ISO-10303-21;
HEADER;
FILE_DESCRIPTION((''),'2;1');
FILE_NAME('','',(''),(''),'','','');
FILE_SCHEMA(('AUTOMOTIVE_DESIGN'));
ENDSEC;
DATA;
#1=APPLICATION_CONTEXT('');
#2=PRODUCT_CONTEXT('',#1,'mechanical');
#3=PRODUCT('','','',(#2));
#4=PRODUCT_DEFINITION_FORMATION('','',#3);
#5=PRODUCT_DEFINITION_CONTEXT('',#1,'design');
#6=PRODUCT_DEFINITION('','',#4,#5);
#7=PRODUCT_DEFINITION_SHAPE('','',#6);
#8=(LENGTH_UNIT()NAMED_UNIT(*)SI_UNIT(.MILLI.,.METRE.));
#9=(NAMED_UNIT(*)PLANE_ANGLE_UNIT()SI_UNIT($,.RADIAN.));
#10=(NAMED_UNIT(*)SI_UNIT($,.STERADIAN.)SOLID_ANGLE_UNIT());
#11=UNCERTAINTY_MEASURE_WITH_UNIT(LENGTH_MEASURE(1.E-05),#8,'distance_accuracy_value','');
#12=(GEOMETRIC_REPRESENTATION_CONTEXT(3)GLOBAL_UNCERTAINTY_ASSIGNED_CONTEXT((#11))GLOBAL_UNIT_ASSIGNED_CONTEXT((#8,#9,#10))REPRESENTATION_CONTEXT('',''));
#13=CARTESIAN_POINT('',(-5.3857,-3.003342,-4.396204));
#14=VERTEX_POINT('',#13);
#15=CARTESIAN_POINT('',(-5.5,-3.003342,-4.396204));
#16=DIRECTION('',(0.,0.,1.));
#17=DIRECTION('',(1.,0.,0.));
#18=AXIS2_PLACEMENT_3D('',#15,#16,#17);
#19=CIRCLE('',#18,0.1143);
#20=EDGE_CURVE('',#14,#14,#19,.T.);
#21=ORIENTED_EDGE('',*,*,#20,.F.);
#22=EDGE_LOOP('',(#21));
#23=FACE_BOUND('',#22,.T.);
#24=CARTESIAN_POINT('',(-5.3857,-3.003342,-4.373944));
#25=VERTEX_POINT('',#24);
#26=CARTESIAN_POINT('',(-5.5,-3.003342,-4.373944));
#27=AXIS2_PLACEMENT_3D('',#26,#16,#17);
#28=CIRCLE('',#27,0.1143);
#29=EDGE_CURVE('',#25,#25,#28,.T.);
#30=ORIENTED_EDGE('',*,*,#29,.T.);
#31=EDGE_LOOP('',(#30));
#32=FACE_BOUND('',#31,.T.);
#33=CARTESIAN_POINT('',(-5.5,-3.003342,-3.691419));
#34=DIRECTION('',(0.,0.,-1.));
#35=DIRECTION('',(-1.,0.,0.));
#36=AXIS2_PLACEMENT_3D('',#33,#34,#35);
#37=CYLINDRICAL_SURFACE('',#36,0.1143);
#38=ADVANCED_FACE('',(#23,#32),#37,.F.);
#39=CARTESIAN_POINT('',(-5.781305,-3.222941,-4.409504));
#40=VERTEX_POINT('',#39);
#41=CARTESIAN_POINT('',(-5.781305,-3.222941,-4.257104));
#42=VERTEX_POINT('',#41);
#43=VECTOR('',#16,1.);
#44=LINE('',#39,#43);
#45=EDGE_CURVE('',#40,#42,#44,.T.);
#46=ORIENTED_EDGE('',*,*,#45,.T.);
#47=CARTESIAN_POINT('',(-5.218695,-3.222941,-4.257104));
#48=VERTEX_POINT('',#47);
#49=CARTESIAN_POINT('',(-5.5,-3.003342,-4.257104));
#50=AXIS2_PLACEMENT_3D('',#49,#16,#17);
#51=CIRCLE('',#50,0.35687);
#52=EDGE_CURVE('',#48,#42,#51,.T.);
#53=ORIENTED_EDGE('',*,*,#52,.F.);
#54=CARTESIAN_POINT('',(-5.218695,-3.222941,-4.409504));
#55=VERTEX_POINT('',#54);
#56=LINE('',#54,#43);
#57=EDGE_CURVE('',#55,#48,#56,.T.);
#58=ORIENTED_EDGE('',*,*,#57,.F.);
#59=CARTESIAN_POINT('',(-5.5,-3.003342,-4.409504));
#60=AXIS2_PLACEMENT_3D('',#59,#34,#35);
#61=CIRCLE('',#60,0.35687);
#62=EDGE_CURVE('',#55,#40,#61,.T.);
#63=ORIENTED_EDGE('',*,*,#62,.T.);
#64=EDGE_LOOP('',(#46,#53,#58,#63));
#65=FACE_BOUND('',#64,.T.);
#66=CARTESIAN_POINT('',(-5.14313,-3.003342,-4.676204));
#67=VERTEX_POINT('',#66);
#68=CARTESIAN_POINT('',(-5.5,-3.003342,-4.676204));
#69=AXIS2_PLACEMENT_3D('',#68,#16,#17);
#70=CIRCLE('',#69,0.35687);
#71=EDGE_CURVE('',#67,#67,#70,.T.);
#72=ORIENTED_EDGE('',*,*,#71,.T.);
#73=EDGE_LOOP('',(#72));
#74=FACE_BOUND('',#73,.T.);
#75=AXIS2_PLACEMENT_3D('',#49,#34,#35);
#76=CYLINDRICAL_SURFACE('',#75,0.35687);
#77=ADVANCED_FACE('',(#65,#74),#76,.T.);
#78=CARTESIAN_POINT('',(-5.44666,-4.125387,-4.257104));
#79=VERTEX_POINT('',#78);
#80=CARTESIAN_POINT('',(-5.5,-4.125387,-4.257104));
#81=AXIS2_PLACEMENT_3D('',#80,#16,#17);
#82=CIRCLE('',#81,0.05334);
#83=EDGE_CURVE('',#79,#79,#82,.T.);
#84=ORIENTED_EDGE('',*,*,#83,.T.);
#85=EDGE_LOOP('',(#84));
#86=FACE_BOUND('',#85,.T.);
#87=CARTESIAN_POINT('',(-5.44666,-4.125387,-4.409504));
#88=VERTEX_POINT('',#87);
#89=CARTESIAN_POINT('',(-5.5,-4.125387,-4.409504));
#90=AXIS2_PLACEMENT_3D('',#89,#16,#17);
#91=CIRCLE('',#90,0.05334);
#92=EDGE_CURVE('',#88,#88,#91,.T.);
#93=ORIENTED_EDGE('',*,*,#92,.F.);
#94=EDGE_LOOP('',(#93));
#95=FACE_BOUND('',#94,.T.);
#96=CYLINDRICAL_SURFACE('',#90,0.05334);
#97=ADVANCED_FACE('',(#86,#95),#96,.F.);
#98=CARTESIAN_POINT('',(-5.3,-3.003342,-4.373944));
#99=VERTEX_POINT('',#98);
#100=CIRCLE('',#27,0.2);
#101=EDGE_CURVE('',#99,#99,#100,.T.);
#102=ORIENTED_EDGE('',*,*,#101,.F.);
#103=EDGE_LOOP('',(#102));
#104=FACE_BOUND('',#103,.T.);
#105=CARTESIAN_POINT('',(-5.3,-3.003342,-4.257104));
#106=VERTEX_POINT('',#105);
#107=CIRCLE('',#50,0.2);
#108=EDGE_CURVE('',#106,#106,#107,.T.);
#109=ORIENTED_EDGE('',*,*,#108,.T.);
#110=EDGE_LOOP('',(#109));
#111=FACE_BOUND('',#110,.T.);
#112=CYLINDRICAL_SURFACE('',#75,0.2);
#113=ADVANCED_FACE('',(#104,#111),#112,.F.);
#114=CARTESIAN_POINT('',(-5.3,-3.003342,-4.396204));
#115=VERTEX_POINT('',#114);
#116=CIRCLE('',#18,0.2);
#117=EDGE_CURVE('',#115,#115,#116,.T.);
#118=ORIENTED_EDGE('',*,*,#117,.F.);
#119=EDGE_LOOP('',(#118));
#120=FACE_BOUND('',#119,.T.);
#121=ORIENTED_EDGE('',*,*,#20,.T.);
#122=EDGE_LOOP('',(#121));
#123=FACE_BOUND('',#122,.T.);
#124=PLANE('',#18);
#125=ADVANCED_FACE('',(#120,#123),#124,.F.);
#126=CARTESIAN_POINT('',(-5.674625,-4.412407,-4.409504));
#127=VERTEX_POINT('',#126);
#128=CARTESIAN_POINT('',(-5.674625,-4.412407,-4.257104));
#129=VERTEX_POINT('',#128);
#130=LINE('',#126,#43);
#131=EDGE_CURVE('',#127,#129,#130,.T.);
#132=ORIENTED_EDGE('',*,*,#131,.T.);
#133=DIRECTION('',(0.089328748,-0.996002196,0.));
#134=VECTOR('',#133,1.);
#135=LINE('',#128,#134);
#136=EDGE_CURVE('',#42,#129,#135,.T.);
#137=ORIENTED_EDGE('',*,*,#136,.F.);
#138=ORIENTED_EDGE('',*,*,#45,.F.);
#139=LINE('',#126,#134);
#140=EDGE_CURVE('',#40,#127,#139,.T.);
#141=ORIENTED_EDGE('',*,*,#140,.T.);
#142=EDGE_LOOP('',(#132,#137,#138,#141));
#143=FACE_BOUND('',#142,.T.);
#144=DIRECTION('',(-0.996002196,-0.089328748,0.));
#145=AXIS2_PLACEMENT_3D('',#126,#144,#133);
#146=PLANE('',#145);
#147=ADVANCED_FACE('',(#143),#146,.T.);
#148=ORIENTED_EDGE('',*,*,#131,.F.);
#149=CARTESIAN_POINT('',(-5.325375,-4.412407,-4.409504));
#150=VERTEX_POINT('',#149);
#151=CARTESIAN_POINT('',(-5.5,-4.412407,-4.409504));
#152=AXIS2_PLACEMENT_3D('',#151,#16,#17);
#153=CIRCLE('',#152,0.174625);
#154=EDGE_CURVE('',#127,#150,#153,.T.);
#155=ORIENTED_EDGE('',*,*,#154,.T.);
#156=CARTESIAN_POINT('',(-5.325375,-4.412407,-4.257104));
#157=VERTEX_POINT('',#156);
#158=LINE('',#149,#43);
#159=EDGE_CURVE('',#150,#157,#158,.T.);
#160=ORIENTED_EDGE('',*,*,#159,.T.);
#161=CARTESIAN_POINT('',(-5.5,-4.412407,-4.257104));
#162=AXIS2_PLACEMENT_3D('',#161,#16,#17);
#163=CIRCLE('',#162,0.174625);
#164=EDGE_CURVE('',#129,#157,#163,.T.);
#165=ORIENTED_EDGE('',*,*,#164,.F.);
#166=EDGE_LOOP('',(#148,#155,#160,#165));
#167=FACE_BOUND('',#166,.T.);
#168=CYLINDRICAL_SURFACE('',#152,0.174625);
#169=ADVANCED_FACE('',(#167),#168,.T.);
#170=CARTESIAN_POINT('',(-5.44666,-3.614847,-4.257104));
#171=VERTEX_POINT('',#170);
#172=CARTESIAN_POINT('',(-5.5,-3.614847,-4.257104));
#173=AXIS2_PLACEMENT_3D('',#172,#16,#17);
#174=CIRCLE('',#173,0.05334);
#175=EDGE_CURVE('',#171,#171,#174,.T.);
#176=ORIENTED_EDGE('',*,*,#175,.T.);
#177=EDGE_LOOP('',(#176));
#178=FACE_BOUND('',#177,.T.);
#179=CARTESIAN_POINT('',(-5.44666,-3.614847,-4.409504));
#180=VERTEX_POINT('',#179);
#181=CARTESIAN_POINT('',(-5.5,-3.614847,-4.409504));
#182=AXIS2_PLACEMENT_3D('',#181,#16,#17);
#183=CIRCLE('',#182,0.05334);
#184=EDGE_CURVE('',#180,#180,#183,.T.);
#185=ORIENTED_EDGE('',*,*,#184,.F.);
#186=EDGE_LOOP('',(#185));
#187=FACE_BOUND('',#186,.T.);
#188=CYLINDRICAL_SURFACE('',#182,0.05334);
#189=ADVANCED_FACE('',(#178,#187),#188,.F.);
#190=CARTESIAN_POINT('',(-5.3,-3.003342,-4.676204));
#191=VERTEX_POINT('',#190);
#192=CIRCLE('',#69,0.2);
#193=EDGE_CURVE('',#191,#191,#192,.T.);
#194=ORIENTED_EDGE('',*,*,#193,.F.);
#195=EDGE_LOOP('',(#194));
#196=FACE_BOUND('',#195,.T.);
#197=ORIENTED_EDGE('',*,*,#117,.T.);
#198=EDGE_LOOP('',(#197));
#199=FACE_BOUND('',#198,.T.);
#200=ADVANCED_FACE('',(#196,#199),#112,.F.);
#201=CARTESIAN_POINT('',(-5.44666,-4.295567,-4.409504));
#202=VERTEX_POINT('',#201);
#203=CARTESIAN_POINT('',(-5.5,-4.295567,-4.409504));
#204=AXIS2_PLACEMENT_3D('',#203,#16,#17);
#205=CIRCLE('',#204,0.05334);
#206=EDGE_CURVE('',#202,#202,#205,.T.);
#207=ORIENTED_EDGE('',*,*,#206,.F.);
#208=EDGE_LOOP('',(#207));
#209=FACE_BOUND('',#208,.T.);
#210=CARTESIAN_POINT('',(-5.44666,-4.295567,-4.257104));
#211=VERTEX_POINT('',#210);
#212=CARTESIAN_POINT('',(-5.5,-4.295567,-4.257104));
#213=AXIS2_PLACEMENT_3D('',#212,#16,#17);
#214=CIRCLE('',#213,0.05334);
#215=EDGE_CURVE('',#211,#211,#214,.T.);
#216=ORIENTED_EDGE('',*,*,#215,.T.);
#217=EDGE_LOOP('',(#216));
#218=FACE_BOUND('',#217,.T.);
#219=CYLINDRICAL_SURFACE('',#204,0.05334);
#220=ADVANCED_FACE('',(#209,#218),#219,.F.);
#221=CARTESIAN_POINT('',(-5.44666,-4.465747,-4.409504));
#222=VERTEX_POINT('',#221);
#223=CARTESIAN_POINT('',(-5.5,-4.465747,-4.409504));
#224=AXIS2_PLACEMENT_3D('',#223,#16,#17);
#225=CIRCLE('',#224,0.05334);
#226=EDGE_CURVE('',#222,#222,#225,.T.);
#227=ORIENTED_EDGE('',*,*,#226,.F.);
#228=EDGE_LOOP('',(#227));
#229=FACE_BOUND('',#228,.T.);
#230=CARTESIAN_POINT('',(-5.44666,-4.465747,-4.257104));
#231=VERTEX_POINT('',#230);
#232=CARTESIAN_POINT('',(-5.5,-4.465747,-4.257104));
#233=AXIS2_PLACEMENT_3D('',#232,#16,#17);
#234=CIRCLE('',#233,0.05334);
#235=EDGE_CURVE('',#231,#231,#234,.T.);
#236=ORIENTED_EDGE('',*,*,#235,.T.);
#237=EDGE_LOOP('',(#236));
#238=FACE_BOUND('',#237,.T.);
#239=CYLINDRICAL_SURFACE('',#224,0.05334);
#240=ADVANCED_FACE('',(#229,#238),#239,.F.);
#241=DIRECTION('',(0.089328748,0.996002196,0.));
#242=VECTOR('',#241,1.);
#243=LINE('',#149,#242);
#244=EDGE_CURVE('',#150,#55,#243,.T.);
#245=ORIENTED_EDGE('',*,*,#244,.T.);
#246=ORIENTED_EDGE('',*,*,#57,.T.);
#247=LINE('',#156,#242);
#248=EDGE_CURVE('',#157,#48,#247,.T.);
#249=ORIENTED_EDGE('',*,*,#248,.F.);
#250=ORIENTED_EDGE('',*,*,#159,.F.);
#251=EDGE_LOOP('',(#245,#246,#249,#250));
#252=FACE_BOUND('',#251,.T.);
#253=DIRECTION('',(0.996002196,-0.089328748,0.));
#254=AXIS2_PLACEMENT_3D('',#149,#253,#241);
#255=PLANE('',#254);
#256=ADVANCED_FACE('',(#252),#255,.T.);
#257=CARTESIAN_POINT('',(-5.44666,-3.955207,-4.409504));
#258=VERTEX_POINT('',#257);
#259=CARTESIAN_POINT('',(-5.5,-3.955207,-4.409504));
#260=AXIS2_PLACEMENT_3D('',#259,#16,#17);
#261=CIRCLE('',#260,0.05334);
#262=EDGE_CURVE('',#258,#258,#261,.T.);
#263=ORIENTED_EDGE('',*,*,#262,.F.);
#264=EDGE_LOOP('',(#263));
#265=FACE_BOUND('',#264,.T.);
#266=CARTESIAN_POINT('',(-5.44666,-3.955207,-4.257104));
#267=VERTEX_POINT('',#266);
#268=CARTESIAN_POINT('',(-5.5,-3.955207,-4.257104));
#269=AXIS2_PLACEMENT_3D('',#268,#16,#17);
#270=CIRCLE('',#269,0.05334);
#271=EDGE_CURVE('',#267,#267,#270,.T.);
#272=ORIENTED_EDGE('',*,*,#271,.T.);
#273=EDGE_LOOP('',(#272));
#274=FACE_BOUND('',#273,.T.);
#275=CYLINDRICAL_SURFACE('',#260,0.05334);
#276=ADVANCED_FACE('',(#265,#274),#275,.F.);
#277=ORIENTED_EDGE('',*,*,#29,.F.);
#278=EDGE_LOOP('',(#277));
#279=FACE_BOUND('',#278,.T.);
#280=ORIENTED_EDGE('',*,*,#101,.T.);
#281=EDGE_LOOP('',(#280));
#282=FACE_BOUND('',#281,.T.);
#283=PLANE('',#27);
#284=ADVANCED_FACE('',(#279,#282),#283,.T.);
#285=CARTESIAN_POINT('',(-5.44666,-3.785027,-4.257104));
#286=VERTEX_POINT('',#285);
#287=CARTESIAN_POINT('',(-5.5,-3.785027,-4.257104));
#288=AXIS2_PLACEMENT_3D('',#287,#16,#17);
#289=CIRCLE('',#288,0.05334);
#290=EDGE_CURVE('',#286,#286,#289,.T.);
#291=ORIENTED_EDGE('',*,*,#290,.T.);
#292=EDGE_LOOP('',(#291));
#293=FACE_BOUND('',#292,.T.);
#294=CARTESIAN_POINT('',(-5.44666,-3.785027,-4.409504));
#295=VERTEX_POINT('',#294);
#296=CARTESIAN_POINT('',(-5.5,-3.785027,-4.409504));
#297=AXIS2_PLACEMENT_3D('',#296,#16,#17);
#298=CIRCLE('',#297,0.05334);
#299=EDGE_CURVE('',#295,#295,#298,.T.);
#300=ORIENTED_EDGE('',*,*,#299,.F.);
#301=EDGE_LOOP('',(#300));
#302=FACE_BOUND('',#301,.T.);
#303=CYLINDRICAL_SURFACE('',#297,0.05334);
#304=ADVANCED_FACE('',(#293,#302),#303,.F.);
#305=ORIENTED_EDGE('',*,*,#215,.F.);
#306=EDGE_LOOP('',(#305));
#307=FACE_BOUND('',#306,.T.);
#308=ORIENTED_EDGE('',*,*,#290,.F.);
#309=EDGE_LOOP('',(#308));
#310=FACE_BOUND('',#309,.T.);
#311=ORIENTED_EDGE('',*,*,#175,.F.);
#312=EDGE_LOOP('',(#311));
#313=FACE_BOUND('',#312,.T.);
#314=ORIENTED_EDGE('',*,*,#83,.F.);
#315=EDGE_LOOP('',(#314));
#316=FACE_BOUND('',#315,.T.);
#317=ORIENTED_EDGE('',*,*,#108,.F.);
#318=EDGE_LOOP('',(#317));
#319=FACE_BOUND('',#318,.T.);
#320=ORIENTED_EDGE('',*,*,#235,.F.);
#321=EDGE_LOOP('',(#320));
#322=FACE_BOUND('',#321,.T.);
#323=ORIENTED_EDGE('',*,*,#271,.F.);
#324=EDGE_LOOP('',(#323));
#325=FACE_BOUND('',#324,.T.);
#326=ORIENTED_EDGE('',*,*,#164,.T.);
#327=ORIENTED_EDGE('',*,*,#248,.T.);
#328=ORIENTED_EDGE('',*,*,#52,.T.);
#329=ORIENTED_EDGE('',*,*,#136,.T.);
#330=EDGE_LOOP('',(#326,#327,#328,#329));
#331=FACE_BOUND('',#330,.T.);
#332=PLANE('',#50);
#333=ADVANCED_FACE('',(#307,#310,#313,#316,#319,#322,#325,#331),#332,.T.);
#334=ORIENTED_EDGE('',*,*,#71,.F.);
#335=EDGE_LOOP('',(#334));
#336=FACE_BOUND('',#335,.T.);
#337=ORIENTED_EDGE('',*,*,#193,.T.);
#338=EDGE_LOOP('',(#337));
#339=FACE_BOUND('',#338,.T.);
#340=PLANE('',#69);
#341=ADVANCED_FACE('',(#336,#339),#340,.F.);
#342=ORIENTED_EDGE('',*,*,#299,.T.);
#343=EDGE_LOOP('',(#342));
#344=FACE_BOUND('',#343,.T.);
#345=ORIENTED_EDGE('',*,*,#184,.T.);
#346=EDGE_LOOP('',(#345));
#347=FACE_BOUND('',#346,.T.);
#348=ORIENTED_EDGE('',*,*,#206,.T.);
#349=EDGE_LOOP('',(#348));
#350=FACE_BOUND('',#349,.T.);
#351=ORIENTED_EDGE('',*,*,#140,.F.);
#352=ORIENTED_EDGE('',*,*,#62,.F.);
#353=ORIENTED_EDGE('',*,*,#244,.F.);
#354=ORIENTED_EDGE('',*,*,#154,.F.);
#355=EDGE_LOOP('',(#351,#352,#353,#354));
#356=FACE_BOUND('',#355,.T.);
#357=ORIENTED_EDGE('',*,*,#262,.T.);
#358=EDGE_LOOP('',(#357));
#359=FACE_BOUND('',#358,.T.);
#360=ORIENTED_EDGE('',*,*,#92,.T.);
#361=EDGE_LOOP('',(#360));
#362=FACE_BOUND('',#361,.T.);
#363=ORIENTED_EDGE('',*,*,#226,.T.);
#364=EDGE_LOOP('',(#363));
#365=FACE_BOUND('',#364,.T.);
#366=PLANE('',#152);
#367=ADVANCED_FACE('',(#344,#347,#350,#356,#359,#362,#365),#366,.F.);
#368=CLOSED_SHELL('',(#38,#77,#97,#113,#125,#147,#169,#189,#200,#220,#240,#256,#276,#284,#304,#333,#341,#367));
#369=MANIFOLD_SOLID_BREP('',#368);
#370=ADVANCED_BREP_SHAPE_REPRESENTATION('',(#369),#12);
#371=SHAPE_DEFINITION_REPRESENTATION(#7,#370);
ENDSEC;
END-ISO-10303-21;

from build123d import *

# Parameters (mm, degrees)
SKETCH1_R           = 3.5687
SKETCH1_R_2         = 2
BOSS_EXTRUDE1_DEPTH = 4.191
SKETCH5_R           = 2
SKETCH5_R_2         = 1.143
BOSS_EXTRUDE2_DEPTH = 0.2226
BOSS_EXTRUDE3_START = -1.524
SKETCH6_R           = 0.5334
BOSS_EXTRUDE3_DEPTH = 1.524
SCALE1_SCALE        = 0.1


with BuildPart() as part:
    # Sketch1 → Boss-Extrude1 (new body)
    with BuildSketch(Plane.XY.offset(-7.032965862)):
        with Locations((-5.5, 0)):
            Circle(SKETCH1_R)
        with Locations((-5.5, 0)):
            Circle(SKETCH1_R_2, mode=Mode.SUBTRACT)
    extrude(amount=BOSS_EXTRUDE1_DEPTH)

    # Sketch5 → Boss-Extrude2 (add)
    with BuildSketch(Plane.XY.offset(-4.232965862)):
        with Locations((-5.5, 0)):
            Circle(SKETCH5_R)
        with Locations((-5.5, 0)):
            Circle(SKETCH5_R_2, mode=Mode.SUBTRACT)
    extrude(amount=BOSS_EXTRUDE2_DEPTH)

    # Sketch6 → Boss-Extrude3 (add)
    with BuildSketch(Plane.XY.offset(-2.841965862).offset(BOSS_EXTRUDE3_START)):
        with BuildLine():
            Line((-3.75375, -14.09065), (-2.68695, -2.195989387))
            ThreePointArc((-2.68695, -2.195989387), (-5.5, -3.5687), (-8.31305, -2.195989387))
            Line((-8.31305, -2.195989387), (-7.24625, -14.09065))
            ThreePointArc((-7.24625, -14.09065), (-5.5, -15.8369), (-3.75375, -14.09065))
        make_face()
        with Locations((-5.5, -12.92225)):
            Circle(SKETCH6_R, mode=Mode.SUBTRACT)
        with Locations((-5.5, -14.62405)):
            Circle(SKETCH6_R, mode=Mode.SUBTRACT)
        with Locations((-5.5, -11.22045)):
            Circle(SKETCH6_R, mode=Mode.SUBTRACT)
        with Locations((-5.5, -9.51865)):
            Circle(SKETCH6_R, mode=Mode.SUBTRACT)
        with Locations((-5.5, -7.81685)):
            Circle(SKETCH6_R, mode=Mode.SUBTRACT)
        with Locations((-5.5, -6.11505)):
            Circle(SKETCH6_R, mode=Mode.SUBTRACT)
    extrude(amount=BOSS_EXTRUDE3_DEPTH)


with BuildPart() as part_1:
    # Scale1: scaled about (-5.5, -3.337046633, -4.414341791)
    add(part.part.scale(SCALE1_SCALE).moved(Location((-4.95, -3.00334197, -3.972907612))))


solid = part_1.part
